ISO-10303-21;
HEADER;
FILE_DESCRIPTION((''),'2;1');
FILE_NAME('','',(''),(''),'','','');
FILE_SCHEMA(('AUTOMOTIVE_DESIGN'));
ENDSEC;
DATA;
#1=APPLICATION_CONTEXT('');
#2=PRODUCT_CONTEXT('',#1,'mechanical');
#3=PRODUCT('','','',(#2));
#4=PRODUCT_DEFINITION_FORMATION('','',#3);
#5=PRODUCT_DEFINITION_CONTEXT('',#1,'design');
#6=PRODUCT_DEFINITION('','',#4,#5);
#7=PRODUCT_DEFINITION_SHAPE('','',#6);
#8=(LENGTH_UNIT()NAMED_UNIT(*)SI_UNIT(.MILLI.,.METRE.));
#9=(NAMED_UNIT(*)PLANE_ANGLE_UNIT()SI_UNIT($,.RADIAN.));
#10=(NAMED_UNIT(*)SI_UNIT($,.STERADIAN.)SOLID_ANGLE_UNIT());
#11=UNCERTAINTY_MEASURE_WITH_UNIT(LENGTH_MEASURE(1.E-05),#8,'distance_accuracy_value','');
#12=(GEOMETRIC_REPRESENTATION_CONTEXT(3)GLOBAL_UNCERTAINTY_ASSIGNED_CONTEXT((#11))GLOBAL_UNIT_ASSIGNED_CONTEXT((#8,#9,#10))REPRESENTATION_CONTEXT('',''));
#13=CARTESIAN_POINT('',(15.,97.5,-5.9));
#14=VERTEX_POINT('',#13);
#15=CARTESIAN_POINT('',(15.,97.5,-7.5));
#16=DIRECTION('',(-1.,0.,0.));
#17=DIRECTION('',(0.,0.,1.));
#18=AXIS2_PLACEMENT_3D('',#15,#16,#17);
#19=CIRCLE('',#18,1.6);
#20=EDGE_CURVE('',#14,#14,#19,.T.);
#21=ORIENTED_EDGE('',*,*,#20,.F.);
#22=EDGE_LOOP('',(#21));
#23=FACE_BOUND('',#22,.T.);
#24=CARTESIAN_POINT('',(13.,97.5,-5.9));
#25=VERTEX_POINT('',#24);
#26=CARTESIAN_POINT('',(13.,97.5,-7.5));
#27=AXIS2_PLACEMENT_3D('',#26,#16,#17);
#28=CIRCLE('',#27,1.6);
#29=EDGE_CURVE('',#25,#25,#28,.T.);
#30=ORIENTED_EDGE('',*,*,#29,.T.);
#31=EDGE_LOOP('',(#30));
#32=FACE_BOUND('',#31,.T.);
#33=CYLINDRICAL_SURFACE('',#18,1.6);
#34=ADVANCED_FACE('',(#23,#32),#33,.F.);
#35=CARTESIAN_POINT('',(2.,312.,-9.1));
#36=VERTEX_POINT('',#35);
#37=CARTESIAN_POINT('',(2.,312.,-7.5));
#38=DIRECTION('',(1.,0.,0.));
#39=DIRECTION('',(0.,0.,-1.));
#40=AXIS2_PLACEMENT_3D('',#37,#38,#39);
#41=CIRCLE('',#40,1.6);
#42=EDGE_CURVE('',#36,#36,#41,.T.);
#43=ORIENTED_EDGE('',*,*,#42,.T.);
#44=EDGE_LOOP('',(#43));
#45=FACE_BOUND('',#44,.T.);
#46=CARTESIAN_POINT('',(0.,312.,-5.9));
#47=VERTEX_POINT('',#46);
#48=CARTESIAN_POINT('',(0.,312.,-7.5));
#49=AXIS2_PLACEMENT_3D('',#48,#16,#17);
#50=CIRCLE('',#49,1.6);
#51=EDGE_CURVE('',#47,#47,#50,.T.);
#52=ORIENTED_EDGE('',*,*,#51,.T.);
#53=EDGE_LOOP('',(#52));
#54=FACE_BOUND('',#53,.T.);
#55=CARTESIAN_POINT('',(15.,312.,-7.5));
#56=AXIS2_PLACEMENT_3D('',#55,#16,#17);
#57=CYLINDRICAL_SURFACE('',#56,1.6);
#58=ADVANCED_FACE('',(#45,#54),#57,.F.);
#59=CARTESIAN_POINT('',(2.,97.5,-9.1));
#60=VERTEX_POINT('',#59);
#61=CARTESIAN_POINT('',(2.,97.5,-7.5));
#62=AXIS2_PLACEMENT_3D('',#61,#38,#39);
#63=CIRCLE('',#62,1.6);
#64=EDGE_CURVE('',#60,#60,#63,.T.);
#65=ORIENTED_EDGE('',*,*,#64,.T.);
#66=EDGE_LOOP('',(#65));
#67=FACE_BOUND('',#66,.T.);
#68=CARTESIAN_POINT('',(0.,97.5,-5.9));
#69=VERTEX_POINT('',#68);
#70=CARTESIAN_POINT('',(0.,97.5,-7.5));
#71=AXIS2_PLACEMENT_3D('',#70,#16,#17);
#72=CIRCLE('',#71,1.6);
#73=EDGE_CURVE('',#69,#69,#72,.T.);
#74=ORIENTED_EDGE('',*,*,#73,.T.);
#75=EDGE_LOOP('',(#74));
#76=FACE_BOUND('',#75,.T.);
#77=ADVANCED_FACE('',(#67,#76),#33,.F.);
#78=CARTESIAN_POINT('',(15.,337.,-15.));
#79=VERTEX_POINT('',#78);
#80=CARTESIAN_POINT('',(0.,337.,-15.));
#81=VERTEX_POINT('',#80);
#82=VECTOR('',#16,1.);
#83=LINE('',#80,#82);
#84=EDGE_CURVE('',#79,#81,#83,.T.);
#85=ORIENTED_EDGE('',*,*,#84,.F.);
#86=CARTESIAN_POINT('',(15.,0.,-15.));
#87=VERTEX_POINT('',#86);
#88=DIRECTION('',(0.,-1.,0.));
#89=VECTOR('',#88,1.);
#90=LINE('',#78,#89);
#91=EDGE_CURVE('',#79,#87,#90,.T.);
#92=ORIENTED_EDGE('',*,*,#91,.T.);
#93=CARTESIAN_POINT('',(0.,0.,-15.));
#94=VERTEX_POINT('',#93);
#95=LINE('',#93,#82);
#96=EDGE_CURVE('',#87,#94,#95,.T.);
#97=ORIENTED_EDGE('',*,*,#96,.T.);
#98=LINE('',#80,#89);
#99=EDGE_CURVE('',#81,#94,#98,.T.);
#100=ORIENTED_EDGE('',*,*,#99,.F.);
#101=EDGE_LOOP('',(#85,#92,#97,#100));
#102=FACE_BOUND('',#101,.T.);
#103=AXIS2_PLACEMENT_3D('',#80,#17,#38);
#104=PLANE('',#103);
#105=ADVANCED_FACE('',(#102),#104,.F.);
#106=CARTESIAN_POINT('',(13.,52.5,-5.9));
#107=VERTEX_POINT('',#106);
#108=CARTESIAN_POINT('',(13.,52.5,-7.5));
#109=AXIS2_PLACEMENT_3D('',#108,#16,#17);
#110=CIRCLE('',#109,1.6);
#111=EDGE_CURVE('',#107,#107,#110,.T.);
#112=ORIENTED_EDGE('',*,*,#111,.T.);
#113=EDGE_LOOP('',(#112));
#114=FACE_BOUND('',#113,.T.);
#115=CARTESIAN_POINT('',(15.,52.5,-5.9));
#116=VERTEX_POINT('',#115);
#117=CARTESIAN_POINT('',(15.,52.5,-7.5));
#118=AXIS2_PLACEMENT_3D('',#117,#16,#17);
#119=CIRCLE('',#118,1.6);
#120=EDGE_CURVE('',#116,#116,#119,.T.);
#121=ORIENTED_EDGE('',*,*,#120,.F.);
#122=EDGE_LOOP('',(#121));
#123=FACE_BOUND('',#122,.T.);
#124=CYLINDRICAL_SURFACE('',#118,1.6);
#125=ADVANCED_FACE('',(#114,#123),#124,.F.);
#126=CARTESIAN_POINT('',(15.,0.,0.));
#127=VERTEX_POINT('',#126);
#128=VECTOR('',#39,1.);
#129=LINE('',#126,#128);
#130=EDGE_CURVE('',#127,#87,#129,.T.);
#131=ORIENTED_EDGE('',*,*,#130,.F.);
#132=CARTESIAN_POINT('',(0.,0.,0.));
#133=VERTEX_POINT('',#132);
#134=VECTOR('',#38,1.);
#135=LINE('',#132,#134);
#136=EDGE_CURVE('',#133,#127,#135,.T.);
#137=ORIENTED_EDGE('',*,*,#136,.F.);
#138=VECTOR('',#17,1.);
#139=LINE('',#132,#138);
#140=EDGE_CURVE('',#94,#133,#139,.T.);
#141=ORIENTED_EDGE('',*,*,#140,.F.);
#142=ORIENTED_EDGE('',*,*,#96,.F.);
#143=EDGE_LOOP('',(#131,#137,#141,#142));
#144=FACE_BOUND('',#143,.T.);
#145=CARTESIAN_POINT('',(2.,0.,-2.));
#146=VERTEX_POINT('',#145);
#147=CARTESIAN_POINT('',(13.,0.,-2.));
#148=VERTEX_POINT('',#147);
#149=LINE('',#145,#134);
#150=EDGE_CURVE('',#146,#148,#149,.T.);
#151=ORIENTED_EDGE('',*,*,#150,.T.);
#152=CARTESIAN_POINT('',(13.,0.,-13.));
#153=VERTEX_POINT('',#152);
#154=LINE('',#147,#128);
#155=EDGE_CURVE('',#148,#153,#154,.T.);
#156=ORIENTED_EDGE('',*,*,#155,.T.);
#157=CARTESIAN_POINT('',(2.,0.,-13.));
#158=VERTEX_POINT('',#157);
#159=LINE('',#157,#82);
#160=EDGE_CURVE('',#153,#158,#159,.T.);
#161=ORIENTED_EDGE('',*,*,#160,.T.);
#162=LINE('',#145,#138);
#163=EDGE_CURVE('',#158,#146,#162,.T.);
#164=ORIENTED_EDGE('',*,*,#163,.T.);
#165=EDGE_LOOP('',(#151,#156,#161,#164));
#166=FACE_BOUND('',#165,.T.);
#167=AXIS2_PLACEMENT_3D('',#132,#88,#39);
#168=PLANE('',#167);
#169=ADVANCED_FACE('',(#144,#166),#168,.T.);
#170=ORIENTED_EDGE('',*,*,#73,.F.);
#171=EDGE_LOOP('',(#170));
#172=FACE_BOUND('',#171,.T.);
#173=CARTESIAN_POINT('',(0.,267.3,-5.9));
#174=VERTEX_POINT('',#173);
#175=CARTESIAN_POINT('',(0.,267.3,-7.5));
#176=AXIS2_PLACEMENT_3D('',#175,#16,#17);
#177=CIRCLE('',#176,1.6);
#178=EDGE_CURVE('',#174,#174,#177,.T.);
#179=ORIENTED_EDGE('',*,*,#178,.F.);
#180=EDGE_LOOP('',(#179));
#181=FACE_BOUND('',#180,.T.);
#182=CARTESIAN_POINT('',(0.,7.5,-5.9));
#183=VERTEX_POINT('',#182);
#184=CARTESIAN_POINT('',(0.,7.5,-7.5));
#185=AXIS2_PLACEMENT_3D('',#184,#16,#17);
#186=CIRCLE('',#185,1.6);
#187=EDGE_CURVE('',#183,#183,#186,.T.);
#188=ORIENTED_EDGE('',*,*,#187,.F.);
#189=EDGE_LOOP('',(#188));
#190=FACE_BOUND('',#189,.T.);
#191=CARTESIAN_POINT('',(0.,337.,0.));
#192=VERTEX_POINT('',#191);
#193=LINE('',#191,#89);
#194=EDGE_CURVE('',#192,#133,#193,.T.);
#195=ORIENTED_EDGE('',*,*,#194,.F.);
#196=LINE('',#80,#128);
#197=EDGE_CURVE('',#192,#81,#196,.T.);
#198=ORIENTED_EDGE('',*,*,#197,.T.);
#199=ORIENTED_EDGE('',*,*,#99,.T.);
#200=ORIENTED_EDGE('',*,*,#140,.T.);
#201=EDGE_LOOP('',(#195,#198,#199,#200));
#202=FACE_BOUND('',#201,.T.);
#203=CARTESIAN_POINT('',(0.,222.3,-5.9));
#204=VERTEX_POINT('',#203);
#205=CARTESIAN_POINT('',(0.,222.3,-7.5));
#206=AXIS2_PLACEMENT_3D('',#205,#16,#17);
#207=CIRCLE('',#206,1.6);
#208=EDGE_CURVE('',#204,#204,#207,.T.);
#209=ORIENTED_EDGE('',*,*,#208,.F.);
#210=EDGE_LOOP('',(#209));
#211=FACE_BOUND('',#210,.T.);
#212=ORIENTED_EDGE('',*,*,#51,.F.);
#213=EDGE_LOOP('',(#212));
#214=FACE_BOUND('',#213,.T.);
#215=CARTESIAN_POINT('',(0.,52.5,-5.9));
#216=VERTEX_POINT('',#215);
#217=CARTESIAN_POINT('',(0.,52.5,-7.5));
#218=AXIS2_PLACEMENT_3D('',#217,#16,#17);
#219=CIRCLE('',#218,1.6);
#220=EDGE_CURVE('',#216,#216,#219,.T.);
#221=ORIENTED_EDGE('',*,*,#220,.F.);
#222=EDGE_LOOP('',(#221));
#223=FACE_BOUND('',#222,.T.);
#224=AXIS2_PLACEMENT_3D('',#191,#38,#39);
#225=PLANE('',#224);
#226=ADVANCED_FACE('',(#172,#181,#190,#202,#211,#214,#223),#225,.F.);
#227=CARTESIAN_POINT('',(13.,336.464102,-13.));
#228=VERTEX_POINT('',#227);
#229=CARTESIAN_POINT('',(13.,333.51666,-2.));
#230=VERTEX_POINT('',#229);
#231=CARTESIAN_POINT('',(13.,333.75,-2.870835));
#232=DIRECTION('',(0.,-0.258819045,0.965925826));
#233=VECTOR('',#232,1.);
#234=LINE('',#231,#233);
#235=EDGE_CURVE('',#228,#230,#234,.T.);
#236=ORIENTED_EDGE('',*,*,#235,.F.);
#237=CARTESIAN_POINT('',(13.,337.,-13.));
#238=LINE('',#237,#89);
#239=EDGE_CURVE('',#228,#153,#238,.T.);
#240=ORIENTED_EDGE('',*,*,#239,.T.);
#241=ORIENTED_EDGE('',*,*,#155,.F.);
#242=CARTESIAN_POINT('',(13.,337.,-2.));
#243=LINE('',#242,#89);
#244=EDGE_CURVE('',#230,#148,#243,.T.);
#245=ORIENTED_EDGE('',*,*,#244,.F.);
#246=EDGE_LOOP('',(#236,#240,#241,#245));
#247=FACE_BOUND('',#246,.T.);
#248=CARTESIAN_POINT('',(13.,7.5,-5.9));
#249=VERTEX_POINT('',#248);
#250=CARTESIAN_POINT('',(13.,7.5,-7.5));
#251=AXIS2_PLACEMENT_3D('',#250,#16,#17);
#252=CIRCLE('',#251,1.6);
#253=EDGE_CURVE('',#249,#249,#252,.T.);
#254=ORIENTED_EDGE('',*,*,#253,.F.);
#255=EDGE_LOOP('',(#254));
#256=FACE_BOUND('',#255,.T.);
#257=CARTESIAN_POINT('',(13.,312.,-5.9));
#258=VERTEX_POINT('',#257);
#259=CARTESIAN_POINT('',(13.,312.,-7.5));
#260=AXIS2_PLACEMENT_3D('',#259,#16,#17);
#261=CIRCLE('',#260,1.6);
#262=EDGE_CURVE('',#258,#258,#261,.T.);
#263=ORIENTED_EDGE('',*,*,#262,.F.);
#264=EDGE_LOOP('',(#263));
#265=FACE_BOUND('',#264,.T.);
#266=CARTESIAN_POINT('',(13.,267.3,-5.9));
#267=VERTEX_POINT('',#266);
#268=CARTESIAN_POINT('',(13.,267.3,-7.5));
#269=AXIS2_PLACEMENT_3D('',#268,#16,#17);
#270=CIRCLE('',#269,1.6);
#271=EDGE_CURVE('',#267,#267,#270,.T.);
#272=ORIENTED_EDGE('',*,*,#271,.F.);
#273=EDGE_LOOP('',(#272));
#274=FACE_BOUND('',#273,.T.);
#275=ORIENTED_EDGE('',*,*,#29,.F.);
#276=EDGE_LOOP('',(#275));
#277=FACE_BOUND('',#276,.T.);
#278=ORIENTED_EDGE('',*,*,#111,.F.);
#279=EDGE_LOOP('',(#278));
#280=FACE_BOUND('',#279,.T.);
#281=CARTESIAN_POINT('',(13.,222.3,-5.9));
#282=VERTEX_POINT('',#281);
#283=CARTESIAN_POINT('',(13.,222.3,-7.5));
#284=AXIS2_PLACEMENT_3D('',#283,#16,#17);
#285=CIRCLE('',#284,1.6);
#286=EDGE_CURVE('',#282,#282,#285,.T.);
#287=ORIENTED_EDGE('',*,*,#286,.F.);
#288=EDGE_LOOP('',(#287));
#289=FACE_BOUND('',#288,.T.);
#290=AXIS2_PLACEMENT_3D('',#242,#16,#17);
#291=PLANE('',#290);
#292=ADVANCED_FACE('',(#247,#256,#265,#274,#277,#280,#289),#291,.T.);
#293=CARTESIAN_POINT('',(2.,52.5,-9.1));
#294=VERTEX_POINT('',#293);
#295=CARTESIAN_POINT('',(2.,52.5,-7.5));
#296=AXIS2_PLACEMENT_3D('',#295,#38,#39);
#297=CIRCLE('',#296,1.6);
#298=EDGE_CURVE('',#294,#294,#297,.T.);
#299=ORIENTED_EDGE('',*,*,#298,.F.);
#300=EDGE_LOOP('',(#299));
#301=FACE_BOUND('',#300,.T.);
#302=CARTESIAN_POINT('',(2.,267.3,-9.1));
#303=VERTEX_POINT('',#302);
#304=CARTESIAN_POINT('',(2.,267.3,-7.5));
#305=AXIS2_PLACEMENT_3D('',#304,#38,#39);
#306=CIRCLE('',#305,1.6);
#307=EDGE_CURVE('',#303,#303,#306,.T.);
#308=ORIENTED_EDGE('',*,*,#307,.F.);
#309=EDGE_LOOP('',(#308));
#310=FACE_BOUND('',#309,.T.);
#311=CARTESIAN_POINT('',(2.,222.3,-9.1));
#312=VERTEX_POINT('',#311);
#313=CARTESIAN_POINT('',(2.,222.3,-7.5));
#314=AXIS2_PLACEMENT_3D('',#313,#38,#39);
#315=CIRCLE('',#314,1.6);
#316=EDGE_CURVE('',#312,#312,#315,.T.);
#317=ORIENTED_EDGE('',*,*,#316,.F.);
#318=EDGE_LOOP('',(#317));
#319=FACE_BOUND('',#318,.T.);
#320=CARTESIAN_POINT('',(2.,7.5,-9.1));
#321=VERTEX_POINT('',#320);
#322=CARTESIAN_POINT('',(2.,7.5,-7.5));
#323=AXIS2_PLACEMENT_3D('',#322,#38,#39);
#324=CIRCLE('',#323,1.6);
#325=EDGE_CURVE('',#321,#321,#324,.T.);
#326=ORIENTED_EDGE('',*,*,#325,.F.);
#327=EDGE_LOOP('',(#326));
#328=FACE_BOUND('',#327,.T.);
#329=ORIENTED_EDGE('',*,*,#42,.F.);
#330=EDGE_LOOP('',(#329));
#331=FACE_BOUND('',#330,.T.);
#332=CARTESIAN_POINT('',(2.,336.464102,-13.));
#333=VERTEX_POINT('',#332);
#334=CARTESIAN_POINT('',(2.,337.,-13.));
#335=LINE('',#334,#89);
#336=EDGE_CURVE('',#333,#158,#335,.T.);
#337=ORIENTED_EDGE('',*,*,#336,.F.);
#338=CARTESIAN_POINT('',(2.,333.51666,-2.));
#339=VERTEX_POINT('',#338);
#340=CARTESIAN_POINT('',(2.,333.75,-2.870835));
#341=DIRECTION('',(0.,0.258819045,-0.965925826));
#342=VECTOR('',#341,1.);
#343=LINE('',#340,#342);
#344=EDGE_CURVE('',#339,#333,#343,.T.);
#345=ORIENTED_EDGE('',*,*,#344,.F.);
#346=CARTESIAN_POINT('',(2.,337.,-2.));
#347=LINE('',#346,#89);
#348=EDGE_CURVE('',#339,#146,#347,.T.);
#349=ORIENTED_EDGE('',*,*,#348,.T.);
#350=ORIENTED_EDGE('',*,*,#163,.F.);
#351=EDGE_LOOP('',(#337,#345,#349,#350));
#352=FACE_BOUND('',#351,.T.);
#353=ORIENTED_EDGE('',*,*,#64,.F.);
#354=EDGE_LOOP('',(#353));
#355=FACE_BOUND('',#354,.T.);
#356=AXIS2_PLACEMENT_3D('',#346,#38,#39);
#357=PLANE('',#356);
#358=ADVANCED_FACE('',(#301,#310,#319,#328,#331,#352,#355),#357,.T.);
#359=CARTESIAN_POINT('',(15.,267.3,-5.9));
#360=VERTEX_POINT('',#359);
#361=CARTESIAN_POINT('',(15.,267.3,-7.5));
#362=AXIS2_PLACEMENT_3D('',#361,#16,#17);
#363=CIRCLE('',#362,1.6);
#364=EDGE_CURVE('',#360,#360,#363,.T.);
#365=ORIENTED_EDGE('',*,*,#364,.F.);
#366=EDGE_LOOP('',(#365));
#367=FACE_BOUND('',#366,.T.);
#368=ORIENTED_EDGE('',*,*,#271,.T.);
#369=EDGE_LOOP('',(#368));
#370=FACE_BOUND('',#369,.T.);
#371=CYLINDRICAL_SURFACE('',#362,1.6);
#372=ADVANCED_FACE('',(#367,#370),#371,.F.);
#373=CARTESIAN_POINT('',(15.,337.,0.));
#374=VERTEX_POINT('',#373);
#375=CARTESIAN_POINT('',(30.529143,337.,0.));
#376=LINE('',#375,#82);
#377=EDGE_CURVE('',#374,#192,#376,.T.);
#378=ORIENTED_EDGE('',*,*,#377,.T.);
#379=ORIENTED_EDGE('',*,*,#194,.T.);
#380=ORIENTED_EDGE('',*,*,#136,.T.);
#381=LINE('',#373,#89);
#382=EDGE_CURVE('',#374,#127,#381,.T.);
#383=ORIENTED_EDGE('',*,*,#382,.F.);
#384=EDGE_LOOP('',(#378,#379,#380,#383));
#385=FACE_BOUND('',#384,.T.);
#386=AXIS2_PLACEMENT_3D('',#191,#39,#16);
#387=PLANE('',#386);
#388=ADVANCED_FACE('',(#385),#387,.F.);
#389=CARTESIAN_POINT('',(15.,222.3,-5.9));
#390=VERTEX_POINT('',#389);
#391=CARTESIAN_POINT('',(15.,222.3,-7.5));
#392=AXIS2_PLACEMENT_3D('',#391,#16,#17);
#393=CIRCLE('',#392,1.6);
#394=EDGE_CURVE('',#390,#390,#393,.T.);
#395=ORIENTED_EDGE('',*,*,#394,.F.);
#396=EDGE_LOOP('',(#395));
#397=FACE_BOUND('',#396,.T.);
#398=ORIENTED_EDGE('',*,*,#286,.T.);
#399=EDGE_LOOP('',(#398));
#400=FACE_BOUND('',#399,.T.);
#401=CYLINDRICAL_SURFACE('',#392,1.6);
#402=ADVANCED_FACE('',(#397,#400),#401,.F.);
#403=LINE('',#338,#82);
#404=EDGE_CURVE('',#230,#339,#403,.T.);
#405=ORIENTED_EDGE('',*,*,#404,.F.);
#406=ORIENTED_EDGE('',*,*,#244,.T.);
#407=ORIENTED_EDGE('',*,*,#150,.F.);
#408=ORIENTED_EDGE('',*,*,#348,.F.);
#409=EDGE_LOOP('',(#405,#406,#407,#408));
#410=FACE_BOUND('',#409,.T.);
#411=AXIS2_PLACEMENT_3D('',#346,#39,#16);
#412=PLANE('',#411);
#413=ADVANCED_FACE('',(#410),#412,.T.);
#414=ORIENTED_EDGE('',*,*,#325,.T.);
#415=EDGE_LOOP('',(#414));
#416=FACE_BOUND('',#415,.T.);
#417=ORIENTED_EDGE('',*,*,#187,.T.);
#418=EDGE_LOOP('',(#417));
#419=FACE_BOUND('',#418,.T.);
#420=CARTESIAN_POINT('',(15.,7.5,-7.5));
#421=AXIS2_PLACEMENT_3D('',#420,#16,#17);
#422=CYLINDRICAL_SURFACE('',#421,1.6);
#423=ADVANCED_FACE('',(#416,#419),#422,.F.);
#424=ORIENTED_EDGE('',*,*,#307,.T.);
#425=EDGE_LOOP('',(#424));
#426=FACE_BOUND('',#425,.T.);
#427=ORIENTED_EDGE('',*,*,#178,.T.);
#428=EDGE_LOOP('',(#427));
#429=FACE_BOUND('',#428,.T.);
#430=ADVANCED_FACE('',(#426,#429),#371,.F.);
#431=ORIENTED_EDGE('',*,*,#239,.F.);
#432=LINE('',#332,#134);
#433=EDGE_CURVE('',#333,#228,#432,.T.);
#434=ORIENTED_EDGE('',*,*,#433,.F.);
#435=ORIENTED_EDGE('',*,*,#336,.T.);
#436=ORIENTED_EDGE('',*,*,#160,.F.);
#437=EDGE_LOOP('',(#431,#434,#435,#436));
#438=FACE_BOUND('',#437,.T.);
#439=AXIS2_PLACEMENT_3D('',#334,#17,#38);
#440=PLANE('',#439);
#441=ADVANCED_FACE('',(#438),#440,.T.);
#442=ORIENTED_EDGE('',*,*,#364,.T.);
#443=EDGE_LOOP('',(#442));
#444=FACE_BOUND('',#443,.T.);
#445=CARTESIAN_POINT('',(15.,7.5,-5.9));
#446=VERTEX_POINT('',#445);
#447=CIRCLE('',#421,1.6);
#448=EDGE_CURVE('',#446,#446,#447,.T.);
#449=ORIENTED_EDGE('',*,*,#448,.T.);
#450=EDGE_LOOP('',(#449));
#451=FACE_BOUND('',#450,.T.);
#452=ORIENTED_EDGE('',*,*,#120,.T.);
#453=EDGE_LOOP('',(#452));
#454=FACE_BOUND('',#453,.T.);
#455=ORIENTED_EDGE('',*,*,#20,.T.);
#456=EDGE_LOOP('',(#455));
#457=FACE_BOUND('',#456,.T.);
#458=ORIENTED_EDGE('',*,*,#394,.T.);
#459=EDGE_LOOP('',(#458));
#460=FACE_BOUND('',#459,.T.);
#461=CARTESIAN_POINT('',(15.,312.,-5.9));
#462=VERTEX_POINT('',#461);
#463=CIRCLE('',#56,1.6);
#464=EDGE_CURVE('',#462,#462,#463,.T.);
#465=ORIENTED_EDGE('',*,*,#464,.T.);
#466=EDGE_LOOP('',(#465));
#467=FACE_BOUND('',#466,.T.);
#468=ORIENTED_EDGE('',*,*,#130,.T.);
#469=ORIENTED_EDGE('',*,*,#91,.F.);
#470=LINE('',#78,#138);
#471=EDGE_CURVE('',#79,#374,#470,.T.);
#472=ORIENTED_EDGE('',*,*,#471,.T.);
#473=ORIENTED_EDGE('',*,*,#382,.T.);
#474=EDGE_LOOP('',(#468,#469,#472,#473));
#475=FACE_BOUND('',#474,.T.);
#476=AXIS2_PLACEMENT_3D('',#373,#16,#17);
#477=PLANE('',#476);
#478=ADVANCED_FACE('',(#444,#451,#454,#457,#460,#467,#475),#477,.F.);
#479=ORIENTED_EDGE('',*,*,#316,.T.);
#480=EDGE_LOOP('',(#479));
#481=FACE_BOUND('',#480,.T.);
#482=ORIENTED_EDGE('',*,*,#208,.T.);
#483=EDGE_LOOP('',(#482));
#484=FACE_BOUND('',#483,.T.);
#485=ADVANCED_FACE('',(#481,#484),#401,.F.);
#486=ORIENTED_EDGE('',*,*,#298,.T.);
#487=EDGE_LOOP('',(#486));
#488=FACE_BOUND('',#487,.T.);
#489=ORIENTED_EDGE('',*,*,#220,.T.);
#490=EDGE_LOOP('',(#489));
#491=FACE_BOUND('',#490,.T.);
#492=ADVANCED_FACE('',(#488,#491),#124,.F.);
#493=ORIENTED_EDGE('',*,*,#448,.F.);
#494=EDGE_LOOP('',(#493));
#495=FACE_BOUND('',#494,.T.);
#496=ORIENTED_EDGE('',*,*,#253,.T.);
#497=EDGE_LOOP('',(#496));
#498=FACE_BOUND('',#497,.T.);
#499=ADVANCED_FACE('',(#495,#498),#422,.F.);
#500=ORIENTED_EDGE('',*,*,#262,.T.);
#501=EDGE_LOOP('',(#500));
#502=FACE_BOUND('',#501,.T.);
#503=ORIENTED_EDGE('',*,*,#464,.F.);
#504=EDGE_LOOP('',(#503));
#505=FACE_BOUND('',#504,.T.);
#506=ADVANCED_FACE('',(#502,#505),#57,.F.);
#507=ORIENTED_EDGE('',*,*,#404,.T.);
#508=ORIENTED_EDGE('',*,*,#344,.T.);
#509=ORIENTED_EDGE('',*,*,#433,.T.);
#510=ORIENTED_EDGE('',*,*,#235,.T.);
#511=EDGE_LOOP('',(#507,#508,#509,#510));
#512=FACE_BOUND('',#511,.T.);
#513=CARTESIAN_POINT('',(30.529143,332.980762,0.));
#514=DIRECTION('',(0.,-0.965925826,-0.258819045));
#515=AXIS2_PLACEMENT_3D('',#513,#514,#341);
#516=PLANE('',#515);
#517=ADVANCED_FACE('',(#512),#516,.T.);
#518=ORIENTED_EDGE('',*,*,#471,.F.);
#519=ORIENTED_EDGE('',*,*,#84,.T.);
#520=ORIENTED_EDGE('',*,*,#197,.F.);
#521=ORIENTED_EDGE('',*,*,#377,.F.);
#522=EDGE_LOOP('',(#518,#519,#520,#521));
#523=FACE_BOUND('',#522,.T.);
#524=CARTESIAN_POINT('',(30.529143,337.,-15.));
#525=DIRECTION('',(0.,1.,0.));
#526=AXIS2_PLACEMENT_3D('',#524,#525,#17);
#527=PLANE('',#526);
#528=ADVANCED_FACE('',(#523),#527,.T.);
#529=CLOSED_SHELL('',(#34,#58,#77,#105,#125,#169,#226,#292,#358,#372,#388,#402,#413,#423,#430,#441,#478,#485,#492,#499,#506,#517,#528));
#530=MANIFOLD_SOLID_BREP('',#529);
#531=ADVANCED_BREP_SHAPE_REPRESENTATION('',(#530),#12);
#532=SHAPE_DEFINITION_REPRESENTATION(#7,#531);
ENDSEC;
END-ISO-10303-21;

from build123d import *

# Parameters (mm, degrees)
SKETCH1_W           = 15
SKETCH1_H           = 15
SKETCH1_W_2         = 11
SKETCH1_H_2         = 11
BOSS_EXTRUDE1_DEPTH = 337
CUT_EXTRUDE1_DEPTH  = 338.666995722
SKETCH3_R           = 1.6
CUT_EXTRUDE2_DEPTH  = 338.666995722
BOSS_EXTRUDE2_DEPTH = 15


with BuildPart() as part:
    # Sketch1 → Boss-Extrude1 (new body)
    with BuildSketch(Plane(origin=(0, 0, 0), x_dir=(1, 0, 0), z_dir=(0, 1, 0))):
        with Locations((7.5, 7.5)):
            Rectangle(SKETCH1_W, SKETCH1_H)
        with Locations((7.5, 7.5)):
            Rectangle(SKETCH1_W_2, SKETCH1_H_2, mode=Mode.SUBTRACT)
    extrude(amount=BOSS_EXTRUDE1_DEPTH)

    # Sketch2 → Cut-Extrude1 (cut, through all)
    with BuildSketch(Plane(origin=(15, 0, 0), x_dir=(0, 0, -1), z_dir=(1, 0, 0))):
        Polygon((15, 337), (0, 332.980762114), (0, 337), align=None)
    extrude(amount=-CUT_EXTRUDE1_DEPTH, mode=Mode.SUBTRACT)

    # Sketch3 → Cut-Extrude2 (cut, through all)
    with BuildSketch(Plane.ZY):
        with Locations((-7.5, 7.5)):
            Circle(SKETCH3_R)
        with Locations((-7.5, 312)):
            Circle(SKETCH3_R)
        with Locations((-7.5, 267.3)):
            Circle(SKETCH3_R)
        with Locations((-7.5, 52.5)):
            Circle(SKETCH3_R)
        with Locations((-7.5, 97.5)):
            Circle(SKETCH3_R)
        with Locations((-7.5, 222.3)):
            Circle(SKETCH3_R)
    extrude(amount=-CUT_EXTRUDE2_DEPTH, mode=Mode.SUBTRACT)

    # Sketch4 → Boss-Extrude2 (add)
    with BuildSketch(Plane.ZY):
        Polygon((-15, 337), (0, 337), (0, 332.980762114), align=None)
    extrude(amount=-BOSS_EXTRUDE2_DEPTH)


solid = part.part
